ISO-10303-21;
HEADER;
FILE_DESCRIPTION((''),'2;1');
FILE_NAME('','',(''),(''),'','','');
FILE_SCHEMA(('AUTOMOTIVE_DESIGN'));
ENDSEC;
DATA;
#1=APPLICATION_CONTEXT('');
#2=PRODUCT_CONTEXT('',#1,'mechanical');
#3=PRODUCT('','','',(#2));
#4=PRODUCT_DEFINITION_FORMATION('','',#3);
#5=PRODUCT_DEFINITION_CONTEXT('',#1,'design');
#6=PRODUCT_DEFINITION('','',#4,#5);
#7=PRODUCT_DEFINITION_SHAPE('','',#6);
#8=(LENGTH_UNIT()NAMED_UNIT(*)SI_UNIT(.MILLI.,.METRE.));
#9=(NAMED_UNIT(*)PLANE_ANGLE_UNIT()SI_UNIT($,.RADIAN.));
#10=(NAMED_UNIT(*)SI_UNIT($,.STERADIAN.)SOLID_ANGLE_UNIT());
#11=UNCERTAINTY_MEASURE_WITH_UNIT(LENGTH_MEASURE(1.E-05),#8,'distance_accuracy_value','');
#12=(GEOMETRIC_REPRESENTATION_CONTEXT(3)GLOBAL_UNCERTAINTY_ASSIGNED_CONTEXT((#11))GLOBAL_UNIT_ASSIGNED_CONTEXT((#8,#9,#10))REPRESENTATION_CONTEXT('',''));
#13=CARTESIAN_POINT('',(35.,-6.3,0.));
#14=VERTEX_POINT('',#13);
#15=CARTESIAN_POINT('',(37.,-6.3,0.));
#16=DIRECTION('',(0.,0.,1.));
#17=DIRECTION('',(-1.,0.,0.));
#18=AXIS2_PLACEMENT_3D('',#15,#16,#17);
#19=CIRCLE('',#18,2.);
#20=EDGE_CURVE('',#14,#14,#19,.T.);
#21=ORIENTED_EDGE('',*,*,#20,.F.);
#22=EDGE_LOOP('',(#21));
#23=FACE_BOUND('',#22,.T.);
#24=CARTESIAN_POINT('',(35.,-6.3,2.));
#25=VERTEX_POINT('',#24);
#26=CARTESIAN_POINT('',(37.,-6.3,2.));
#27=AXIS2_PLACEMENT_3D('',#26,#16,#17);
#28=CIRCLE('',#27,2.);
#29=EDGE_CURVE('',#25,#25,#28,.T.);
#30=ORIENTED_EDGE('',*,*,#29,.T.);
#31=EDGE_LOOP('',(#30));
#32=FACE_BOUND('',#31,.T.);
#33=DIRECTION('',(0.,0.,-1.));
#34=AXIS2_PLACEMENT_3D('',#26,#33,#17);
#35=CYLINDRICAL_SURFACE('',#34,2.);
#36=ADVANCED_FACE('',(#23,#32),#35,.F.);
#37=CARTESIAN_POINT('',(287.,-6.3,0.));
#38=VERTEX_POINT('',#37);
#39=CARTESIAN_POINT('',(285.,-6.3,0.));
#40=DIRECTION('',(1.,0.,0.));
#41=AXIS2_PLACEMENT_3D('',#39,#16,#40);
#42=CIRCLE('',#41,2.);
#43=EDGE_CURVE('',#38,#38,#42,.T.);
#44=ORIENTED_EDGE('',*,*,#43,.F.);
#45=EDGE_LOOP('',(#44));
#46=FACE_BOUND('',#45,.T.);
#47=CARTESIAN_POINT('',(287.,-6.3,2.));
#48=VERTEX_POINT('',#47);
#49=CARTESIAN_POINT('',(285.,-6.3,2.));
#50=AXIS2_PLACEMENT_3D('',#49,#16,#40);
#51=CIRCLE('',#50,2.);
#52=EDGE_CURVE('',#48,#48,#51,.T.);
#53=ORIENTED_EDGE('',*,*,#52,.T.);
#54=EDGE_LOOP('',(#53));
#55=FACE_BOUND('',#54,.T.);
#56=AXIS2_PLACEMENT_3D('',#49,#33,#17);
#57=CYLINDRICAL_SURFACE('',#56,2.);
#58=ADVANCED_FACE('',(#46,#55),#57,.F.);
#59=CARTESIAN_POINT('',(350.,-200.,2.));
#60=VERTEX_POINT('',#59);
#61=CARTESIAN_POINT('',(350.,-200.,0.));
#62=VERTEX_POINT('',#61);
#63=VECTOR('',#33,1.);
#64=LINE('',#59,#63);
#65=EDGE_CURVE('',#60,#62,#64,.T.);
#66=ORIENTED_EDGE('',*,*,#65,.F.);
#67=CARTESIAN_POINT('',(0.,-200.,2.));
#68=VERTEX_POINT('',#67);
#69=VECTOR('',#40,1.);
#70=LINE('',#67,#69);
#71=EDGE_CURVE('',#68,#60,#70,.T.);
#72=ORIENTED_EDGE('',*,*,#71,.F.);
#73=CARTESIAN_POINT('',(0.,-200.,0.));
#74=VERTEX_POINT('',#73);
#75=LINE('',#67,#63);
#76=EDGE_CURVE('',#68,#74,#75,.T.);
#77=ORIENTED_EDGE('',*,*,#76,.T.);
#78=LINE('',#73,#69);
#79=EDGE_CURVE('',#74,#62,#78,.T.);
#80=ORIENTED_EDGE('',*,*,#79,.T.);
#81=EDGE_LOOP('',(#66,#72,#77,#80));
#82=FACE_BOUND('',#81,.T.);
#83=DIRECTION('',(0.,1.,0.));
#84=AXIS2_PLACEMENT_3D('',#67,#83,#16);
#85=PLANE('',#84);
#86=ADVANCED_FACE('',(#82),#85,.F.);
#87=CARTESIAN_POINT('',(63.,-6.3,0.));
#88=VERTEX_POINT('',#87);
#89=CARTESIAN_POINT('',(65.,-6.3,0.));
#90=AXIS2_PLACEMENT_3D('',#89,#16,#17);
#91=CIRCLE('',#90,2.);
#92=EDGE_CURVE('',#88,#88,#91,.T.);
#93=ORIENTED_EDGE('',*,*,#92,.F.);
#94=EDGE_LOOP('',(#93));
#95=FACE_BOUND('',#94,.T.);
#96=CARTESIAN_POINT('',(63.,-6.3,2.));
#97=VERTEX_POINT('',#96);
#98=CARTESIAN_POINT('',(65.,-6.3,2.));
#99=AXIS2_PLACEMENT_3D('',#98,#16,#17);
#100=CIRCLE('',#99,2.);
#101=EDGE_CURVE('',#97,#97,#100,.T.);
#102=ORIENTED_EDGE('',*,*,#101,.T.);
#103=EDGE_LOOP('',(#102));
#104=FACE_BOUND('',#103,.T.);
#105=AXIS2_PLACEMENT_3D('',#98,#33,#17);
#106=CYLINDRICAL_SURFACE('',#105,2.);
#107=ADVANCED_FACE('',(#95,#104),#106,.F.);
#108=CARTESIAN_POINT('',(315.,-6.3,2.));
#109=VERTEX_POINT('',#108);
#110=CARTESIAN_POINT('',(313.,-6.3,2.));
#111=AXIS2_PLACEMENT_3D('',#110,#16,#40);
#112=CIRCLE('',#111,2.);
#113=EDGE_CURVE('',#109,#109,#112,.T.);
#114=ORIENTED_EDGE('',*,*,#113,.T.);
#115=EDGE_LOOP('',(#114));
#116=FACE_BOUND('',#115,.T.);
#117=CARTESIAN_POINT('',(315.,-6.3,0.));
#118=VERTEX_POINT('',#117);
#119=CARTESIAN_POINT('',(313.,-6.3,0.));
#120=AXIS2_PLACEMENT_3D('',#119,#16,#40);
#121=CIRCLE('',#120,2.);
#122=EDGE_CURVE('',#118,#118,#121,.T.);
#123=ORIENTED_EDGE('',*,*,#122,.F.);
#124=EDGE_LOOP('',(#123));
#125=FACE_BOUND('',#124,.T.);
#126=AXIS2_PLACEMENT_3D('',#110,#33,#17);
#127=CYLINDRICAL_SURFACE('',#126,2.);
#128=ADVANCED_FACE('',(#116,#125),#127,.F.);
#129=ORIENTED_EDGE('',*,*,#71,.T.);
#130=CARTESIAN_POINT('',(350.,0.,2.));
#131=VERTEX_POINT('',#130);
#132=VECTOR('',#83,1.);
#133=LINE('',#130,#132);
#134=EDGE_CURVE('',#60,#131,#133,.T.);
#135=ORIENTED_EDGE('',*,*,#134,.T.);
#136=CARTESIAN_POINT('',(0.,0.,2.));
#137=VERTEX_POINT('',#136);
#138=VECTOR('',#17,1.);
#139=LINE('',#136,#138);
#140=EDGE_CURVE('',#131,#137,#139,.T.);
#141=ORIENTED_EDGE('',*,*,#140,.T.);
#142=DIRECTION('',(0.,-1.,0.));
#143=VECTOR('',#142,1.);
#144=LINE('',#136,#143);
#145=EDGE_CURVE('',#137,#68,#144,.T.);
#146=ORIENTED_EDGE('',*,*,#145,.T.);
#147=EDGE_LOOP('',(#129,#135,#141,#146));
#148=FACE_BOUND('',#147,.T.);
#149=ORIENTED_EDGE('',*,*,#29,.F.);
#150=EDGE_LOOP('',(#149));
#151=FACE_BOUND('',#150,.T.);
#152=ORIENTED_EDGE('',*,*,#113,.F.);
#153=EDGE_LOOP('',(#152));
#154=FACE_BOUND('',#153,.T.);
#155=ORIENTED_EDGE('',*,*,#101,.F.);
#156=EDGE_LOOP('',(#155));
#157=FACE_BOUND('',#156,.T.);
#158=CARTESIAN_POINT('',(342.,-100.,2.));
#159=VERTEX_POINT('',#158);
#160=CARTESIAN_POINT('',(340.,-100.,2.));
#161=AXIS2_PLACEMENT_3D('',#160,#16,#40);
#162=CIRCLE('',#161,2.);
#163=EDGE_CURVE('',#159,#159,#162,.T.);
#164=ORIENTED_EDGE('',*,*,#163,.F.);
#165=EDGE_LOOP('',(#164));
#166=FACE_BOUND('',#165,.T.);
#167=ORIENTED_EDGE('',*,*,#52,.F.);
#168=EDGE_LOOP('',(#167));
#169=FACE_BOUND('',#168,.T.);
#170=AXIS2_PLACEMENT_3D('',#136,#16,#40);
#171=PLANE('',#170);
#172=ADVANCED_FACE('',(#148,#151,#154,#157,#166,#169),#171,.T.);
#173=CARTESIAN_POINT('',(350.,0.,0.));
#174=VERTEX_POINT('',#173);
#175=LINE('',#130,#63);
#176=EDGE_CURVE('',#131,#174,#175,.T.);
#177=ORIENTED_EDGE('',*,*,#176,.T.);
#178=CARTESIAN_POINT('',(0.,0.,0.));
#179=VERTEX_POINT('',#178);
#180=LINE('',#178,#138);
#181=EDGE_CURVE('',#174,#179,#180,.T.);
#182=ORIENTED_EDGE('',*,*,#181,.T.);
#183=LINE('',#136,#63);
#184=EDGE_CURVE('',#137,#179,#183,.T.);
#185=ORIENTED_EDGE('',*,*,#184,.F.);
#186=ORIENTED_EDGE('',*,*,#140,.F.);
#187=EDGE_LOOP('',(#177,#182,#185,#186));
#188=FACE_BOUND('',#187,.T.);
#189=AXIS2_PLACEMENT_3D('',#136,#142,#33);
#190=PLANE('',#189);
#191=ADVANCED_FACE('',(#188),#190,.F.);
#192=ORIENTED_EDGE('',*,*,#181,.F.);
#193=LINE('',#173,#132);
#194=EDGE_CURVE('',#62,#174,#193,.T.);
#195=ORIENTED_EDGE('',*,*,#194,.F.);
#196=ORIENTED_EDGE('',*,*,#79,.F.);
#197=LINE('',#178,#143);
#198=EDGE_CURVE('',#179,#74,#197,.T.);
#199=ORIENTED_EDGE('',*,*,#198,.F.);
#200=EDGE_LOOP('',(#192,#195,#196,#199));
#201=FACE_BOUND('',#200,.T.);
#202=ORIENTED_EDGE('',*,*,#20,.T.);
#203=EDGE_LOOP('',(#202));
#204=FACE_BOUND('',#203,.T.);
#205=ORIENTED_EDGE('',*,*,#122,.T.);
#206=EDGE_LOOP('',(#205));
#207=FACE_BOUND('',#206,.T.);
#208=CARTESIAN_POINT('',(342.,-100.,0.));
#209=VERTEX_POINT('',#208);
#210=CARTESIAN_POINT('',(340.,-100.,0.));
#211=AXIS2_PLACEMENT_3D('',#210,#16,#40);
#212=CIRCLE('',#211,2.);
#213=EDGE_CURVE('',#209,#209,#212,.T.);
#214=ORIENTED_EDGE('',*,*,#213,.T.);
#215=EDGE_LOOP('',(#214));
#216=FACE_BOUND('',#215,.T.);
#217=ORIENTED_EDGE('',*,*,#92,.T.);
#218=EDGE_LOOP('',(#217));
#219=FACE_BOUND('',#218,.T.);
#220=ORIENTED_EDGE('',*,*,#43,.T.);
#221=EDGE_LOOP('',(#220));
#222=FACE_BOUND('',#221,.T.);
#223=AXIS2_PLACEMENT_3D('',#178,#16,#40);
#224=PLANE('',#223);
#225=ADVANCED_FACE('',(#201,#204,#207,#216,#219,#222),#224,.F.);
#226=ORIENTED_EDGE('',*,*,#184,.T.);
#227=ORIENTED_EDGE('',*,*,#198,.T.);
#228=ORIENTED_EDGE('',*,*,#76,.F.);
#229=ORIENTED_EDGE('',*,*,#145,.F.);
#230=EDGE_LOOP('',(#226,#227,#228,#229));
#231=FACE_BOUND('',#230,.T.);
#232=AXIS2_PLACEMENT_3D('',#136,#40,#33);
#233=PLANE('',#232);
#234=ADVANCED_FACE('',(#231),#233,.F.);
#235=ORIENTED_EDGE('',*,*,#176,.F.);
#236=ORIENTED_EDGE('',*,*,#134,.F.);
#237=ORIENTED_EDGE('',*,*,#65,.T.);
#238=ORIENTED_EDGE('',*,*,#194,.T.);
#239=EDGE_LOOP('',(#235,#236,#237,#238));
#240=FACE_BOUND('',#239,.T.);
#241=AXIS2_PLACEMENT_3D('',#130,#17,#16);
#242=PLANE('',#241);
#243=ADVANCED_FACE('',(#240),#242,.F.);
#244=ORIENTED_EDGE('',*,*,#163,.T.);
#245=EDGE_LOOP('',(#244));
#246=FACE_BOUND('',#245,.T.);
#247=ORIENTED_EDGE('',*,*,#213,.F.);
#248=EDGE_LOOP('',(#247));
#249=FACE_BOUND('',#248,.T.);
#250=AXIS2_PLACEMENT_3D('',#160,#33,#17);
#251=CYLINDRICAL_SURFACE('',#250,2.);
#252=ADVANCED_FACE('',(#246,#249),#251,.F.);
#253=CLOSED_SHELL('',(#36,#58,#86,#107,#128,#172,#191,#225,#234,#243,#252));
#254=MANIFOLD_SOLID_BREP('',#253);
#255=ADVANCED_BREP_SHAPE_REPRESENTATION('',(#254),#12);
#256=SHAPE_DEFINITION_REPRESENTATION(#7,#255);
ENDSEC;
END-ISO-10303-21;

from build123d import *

# Parameters (mm, degrees)
SKETCH_1_W      = 350
SKETCH_1_H      = 200
SKETCH_1_R      = 2
EXTRUDE_1_DEPTH = 2


with BuildPart() as part:
    # 草图1 → 凸台-拉伸1 (new body)
    with BuildSketch(Plane.XY):
        with Locations((175, -100)):
            Rectangle(SKETCH_1_W, SKETCH_1_H)
        with Locations((340, -100)):
            Circle(SKETCH_1_R, mode=Mode.SUBTRACT)
        with Locations((285, -6.3)):
            Circle(SKETCH_1_R, mode=Mode.SUBTRACT)
        with Locations((313, -6.3)):
            Circle(SKETCH_1_R, mode=Mode.SUBTRACT)
        with Locations(Location((37, -6.3, 0), (0, 0, 180))):
            Circle(SKETCH_1_R, mode=Mode.SUBTRACT)
        with Locations(Location((65, -6.3, 0), (0, 0, 180))):
            Circle(SKETCH_1_R, mode=Mode.SUBTRACT)
    extrude(amount=EXTRUDE_1_DEPTH)


solid = part.part
